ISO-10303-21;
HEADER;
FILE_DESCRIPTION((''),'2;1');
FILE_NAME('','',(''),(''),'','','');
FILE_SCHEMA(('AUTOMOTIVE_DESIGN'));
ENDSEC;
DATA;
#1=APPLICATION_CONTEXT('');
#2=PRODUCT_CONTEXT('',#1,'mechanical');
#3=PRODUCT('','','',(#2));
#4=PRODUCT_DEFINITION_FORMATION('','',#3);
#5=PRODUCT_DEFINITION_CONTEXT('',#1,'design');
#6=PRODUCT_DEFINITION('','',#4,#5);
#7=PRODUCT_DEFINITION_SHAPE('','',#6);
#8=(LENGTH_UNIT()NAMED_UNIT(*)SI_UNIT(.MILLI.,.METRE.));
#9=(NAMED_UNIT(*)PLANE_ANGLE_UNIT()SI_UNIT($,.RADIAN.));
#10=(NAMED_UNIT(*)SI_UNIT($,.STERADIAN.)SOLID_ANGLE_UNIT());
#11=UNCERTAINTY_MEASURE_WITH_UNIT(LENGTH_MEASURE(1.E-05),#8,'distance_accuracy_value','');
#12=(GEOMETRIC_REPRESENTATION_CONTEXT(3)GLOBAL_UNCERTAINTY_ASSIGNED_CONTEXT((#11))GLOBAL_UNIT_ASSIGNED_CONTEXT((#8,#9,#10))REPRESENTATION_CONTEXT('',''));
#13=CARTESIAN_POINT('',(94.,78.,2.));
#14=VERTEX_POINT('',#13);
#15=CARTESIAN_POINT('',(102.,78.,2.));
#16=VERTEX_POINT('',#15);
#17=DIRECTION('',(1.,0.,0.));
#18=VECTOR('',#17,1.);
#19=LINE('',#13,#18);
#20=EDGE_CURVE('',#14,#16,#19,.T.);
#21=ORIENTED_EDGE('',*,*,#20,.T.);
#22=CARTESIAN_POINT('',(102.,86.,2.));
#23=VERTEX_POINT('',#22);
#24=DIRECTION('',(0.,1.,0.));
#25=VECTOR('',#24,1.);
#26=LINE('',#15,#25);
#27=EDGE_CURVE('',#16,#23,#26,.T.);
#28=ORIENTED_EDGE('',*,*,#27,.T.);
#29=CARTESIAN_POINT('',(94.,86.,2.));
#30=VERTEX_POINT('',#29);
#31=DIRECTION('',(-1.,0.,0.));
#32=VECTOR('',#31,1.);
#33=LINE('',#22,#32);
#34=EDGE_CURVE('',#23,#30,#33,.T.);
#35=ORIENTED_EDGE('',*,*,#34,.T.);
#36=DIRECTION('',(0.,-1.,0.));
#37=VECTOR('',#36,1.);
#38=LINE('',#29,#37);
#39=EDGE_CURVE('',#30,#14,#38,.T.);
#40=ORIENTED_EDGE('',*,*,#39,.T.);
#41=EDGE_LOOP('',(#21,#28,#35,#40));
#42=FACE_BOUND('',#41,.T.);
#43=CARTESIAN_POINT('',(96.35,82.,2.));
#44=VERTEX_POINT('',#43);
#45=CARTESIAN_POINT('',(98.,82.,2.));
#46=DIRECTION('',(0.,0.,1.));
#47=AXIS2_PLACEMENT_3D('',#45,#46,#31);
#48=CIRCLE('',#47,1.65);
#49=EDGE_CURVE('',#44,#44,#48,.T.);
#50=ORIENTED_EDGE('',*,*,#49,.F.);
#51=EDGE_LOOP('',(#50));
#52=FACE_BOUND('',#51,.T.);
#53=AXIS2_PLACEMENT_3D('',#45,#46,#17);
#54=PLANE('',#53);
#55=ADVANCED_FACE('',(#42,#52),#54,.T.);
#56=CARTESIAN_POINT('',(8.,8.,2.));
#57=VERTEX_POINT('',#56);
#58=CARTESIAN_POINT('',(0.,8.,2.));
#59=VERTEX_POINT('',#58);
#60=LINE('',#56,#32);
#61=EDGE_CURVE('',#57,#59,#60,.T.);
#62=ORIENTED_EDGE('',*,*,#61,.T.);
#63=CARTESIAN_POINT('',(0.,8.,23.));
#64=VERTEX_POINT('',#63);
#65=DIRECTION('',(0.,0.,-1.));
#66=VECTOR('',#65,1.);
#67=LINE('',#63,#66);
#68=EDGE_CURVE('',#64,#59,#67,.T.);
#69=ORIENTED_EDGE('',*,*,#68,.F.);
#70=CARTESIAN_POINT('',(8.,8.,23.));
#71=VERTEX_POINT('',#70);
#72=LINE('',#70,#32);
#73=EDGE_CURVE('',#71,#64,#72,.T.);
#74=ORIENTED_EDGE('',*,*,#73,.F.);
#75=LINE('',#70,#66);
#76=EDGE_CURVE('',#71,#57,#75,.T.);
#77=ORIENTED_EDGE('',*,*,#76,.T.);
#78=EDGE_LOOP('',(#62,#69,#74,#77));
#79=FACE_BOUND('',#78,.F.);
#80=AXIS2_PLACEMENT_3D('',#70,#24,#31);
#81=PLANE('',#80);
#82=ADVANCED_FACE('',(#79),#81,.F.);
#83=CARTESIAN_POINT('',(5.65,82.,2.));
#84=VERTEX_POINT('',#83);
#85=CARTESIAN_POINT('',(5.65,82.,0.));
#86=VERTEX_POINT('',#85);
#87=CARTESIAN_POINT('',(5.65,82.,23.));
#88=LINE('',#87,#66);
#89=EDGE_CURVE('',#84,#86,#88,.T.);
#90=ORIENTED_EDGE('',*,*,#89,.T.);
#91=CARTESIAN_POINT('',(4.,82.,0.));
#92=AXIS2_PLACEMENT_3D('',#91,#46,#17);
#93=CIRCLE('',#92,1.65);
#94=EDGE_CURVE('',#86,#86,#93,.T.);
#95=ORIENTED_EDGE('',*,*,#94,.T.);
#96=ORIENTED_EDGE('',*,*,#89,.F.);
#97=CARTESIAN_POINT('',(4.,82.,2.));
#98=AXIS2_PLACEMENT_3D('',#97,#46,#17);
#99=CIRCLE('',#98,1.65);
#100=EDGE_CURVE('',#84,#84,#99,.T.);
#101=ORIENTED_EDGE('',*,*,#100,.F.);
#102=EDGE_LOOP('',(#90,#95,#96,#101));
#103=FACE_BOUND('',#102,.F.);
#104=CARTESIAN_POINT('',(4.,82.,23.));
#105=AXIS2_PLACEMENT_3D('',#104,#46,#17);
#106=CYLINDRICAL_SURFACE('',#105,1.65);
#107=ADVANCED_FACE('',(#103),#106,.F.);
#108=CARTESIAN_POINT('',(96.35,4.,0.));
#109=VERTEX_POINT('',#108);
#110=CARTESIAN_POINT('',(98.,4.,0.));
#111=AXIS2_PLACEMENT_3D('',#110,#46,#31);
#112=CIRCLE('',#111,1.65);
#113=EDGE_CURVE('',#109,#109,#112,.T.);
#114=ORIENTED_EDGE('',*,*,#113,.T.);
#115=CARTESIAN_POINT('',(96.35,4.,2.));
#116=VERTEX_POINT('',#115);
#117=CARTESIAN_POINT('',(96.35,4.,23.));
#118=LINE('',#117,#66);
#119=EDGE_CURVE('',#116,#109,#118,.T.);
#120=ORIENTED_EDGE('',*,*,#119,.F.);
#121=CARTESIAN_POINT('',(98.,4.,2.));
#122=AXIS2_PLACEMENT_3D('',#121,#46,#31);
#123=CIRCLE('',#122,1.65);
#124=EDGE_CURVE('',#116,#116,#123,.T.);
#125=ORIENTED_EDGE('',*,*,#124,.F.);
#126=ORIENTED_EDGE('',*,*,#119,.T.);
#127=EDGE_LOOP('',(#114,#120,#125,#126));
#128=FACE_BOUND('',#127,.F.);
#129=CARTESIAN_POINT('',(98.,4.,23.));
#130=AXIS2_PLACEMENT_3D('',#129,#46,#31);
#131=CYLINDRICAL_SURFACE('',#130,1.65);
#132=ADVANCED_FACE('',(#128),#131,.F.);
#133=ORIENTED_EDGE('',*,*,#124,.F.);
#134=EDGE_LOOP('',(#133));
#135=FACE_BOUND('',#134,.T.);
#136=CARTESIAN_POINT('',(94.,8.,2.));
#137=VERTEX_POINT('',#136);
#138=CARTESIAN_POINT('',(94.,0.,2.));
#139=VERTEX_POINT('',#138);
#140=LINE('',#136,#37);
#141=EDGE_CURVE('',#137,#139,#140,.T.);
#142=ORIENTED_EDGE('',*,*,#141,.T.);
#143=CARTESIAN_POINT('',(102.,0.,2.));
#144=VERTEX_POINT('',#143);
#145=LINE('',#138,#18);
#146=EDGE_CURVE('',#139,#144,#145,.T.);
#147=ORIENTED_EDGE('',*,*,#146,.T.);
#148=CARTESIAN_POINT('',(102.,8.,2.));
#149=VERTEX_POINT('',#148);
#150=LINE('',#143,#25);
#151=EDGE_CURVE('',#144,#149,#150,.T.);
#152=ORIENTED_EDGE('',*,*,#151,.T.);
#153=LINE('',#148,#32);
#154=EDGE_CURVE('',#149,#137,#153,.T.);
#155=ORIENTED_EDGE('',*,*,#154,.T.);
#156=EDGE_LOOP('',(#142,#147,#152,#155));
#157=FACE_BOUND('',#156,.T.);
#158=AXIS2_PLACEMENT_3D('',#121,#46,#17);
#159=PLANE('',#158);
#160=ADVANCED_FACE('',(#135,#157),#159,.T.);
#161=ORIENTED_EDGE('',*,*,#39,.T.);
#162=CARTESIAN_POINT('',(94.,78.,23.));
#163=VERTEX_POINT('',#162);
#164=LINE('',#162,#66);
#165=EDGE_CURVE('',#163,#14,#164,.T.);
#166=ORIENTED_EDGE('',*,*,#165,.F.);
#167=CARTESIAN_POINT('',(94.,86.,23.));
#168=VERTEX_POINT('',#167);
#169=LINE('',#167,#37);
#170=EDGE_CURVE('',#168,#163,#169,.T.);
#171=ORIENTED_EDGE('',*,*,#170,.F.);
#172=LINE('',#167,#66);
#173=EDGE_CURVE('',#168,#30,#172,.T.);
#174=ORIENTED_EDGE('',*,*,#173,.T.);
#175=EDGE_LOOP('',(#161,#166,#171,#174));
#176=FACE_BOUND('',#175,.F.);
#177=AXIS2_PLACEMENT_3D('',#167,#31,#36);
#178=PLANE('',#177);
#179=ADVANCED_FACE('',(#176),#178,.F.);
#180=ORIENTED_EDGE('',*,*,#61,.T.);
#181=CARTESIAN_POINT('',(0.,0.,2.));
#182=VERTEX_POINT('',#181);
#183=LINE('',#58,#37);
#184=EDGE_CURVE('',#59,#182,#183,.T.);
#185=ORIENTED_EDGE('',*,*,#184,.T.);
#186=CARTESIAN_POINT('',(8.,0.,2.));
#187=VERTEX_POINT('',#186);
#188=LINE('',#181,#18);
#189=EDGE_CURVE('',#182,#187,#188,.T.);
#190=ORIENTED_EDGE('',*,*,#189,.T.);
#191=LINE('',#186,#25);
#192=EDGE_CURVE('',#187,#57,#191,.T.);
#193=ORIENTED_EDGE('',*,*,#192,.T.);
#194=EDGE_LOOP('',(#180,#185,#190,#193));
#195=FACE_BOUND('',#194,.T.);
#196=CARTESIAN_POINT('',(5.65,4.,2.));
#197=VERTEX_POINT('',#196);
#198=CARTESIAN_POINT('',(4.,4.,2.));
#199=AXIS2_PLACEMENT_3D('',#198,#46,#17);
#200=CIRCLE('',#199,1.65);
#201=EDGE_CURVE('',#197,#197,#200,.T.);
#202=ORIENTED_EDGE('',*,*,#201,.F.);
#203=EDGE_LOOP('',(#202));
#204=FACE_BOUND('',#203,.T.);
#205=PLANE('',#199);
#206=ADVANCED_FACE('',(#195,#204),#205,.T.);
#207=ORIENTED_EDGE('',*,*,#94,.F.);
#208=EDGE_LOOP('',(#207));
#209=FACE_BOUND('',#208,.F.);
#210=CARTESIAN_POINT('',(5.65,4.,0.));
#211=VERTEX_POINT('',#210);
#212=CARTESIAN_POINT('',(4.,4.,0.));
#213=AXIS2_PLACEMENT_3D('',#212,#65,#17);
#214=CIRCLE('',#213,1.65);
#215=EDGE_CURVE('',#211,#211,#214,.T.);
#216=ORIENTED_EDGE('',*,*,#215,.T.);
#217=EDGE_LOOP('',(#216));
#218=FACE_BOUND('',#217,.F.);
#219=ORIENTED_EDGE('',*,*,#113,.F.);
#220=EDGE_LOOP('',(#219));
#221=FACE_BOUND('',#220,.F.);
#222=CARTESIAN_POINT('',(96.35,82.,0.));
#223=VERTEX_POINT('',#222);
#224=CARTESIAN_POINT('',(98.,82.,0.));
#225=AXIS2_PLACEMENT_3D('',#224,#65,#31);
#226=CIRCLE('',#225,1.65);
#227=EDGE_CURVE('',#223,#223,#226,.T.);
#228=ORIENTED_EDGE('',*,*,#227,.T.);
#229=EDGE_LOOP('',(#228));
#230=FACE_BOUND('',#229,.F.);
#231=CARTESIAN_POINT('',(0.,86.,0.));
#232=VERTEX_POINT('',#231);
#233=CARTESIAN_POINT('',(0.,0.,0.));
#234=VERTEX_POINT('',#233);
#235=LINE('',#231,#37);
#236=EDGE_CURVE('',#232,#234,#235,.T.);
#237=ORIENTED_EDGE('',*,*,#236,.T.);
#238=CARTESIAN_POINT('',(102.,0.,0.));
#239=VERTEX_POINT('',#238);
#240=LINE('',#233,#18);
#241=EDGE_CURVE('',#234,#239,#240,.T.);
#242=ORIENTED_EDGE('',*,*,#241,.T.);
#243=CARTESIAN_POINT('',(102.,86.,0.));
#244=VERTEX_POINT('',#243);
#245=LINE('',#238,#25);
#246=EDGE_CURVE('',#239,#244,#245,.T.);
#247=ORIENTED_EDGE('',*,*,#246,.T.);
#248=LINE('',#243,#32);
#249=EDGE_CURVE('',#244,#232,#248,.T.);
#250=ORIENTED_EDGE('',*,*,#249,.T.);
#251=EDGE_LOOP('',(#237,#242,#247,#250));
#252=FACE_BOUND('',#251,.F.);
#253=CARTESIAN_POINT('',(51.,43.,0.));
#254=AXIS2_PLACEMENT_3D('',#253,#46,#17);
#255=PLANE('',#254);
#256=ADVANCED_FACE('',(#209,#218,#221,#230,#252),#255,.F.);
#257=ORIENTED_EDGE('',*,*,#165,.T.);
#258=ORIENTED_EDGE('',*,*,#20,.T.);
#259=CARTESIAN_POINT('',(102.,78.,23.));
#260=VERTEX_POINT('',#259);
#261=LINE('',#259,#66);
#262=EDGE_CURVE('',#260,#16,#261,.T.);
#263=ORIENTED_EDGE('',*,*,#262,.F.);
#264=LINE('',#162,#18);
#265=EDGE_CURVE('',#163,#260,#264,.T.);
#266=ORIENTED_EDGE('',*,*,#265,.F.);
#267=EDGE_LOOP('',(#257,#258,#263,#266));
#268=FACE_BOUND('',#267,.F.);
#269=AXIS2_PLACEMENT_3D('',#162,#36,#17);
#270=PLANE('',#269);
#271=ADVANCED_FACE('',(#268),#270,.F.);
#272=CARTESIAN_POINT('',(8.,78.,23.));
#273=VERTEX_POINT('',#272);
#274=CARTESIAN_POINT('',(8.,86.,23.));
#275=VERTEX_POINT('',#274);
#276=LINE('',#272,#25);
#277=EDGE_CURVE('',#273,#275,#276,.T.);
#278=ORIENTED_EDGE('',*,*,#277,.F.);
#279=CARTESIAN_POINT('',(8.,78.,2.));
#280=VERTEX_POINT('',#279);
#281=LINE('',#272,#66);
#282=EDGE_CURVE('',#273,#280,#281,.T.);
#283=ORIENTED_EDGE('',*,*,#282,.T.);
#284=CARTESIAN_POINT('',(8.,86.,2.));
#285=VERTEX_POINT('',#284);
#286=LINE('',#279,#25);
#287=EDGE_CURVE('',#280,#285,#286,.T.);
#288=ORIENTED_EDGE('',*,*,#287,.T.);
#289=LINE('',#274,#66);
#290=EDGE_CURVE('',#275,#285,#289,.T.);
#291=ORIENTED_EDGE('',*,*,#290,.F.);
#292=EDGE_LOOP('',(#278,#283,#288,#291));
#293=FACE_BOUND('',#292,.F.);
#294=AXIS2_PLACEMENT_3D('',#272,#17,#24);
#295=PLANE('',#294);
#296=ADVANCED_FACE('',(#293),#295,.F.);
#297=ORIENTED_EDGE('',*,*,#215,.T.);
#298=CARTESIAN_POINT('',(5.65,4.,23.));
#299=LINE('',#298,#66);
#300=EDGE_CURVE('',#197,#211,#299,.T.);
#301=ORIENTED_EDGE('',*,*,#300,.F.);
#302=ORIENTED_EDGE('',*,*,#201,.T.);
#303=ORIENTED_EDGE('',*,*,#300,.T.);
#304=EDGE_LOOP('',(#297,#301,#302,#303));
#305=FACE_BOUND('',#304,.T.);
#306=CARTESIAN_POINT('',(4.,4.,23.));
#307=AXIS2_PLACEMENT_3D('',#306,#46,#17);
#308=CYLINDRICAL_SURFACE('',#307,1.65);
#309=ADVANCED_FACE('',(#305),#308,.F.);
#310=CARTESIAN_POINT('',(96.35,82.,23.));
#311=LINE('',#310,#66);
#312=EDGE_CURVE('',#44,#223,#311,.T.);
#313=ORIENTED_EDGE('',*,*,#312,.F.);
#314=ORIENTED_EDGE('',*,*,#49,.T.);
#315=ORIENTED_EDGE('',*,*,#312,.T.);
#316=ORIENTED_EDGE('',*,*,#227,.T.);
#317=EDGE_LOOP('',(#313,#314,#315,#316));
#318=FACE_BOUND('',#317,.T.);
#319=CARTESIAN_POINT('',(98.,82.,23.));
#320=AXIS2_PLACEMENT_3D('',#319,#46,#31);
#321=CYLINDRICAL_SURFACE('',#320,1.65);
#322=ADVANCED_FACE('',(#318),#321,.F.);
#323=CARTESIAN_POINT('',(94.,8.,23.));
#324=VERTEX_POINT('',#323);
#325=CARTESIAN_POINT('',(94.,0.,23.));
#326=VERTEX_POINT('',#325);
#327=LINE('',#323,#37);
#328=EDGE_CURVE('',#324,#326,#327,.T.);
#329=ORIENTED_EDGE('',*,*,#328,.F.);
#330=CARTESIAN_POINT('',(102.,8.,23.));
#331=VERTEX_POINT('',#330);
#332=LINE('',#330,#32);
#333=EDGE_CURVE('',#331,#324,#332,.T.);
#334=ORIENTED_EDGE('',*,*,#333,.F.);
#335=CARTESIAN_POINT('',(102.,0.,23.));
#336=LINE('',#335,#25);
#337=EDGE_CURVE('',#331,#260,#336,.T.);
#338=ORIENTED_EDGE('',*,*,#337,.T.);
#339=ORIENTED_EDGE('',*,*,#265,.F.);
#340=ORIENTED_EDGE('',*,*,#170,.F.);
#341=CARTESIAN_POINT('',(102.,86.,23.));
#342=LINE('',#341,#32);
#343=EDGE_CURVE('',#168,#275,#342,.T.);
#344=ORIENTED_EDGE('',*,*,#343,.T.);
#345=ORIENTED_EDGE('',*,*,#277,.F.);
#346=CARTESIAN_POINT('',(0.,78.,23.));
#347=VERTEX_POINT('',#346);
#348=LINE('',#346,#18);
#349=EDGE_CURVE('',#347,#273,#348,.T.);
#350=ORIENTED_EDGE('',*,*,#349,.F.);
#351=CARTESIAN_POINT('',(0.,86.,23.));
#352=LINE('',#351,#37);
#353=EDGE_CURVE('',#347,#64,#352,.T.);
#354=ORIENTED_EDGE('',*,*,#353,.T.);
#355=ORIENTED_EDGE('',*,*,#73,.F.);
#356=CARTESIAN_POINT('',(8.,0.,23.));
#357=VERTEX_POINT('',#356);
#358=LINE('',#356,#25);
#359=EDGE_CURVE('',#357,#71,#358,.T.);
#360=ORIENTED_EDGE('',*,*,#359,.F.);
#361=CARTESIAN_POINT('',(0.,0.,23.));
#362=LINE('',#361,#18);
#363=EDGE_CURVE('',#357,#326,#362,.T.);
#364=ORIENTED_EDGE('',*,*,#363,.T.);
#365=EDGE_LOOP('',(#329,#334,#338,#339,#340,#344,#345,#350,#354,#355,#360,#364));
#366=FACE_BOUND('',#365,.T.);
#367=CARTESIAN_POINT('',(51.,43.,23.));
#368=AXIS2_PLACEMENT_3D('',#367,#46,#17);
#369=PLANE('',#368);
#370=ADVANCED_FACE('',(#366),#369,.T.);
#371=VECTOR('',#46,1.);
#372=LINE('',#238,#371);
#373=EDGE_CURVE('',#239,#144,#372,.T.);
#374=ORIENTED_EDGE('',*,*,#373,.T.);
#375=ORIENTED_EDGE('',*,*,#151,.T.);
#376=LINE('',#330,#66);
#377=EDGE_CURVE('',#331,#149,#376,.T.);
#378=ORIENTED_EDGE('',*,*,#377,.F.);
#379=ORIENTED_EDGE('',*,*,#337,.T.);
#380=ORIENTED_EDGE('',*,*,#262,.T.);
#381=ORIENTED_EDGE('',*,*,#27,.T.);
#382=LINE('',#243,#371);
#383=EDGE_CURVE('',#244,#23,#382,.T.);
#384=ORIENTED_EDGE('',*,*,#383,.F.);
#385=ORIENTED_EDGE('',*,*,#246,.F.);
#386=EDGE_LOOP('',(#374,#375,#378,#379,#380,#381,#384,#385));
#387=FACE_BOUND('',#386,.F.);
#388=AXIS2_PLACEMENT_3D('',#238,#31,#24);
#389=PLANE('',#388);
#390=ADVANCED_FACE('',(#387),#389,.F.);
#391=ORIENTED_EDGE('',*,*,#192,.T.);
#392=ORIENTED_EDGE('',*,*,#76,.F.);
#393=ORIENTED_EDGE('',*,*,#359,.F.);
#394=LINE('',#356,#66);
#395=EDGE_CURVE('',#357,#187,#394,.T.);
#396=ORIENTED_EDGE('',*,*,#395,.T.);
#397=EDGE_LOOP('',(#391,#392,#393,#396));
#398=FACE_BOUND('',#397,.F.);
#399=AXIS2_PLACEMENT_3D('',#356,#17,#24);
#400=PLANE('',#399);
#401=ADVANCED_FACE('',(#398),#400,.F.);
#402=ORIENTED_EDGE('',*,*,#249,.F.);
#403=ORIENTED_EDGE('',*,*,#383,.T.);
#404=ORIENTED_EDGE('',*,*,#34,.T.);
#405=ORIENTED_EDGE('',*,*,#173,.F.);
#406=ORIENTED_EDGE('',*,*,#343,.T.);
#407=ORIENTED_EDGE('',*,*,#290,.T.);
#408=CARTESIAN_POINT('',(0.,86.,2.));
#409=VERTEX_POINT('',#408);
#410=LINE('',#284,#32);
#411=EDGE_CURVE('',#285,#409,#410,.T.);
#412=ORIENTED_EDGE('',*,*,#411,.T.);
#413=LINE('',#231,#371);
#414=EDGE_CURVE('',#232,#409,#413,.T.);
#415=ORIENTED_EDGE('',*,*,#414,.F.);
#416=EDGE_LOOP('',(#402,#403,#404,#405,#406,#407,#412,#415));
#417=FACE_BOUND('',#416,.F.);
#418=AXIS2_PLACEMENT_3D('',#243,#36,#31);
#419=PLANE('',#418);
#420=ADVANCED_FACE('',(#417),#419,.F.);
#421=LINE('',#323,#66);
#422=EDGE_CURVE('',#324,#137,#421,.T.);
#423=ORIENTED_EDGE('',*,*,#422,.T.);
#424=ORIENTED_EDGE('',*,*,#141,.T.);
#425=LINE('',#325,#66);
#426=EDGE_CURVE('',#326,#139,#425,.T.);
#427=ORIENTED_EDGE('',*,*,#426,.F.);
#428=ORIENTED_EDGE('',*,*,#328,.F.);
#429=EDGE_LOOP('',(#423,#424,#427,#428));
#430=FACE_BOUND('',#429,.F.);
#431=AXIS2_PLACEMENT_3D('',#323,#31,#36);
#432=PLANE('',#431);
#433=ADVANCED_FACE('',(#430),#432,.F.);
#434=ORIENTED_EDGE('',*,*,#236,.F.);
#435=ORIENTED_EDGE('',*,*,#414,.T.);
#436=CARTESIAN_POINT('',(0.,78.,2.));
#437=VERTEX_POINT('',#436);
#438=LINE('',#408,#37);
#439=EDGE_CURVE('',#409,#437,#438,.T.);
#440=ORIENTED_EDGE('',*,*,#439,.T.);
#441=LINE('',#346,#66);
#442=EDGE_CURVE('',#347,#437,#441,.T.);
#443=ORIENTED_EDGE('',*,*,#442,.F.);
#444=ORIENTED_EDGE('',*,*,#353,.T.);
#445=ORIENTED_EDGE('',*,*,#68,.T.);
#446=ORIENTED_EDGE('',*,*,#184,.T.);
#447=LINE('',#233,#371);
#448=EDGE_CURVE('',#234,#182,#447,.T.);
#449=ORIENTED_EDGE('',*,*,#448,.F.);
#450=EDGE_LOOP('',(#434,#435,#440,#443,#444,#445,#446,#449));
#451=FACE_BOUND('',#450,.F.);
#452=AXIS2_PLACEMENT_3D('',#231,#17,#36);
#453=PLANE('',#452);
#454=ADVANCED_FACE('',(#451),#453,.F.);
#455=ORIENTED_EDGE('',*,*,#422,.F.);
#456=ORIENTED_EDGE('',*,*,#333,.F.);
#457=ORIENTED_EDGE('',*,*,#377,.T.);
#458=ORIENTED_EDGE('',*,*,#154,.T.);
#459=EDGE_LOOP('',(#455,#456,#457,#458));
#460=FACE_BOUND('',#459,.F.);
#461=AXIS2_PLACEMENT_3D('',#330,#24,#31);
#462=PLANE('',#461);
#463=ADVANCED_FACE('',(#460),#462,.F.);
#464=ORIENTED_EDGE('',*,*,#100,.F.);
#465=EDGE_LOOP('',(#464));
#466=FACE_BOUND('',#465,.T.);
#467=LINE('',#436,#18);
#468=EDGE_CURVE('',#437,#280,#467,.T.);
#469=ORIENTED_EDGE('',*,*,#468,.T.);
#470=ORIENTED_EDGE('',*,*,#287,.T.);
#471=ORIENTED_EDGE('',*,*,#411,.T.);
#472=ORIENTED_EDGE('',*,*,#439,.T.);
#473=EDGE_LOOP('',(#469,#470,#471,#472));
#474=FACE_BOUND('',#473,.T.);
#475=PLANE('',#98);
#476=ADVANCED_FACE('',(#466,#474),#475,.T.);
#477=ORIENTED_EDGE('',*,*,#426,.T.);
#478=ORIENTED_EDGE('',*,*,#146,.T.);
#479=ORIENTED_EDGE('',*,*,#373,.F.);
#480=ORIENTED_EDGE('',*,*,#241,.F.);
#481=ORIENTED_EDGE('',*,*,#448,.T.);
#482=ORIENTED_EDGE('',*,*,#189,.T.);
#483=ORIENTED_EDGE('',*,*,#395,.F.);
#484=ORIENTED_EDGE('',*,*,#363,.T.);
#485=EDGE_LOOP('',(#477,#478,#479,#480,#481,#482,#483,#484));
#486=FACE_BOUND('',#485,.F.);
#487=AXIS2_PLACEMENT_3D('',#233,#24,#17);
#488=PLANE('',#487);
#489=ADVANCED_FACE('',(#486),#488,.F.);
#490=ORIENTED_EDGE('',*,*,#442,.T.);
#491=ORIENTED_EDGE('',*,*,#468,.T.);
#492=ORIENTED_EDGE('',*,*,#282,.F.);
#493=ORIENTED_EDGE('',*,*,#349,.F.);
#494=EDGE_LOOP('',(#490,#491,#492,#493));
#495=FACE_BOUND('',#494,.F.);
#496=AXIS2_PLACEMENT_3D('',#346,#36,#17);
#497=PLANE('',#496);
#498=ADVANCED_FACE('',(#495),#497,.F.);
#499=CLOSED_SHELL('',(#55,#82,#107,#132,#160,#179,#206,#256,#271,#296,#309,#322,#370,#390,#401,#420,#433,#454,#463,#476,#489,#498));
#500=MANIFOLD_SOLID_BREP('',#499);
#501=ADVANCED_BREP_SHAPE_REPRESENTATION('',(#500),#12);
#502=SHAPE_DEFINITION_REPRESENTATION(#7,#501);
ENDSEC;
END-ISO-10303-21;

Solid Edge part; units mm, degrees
sketch "Sketch1" plane through (0, 0, 0) normal (0, 0, 1) x (1, 0, 0)
  line L0 (0, 0) -> (102, 0)
  line L1 (102, 0) -> (102, 86)
  line L2 (102, 86) -> (0, 86)
  line L3 (0, 86) -> (0, 0)
extrude "Protrusion1" add sketch "Sketch1" along normal blind 23
sketch "Sketch2" plane through (51, 43, 23) normal (0, 0, 1) x (1, 0, 0)
  circle A0 centre (-47, 39) radius 1.65
extrude "ExtrudedCutout_1" cut sketch "Sketch2" against normal blind 23
mirror "Mirror1" about plane through (51, 43, 11.5) normal (0, -1, 0) of "ExtrudedCutout_1"
mirror "Mirror2" about plane through (51, 43, 11.5) normal (1, 0, 0) of "ExtrudedCutout_1", "Mirror1"
sketch "Sketch3" plane through (51, 43, 23) normal (0, 0, 1) x (1, 0, 0)
  line L0 (-51, -43) -> (-43, -43)
  line L1 (-43, -43) -> (-43, -35)
  line L2 (-43, -35) -> (-51, -35)
  line L3 (-51, -35) -> (-51, -43)
  line L4 (51, 43) -> (43, 43)
  line L5 (43, 43) -> (43, 35)
  line L6 (43, 35) -> (51, 35)
  line L7 (51, 35) -> (51, 43)
  line L8 (51, -43) -> (51, -35)
  line L9 (51, -35) -> (43, -35)
  line L10 (43, -35) -> (43, -43)
  line L11 (43, -43) -> (51, -43)
  line L12 (-51, 43) -> (-51, 35)
  line L13 (-51, 35) -> (-43, 35)
  line L14 (-43, 35) -> (-43, 43)
  line L15 (-43, 43) -> (-51, 43)
  dimension "D1" = 8
  dimension "D2" = 8
  dimension "D3" = 8
  dimension "D4" = 8
  dimension "D5" = 8
  dimension "D6" = 8
  dimension "D7" = 8
  dimension "D8" = 8
extrude "ExtrudedCutout_2" cut sketch "Sketch3" against normal blind 21
